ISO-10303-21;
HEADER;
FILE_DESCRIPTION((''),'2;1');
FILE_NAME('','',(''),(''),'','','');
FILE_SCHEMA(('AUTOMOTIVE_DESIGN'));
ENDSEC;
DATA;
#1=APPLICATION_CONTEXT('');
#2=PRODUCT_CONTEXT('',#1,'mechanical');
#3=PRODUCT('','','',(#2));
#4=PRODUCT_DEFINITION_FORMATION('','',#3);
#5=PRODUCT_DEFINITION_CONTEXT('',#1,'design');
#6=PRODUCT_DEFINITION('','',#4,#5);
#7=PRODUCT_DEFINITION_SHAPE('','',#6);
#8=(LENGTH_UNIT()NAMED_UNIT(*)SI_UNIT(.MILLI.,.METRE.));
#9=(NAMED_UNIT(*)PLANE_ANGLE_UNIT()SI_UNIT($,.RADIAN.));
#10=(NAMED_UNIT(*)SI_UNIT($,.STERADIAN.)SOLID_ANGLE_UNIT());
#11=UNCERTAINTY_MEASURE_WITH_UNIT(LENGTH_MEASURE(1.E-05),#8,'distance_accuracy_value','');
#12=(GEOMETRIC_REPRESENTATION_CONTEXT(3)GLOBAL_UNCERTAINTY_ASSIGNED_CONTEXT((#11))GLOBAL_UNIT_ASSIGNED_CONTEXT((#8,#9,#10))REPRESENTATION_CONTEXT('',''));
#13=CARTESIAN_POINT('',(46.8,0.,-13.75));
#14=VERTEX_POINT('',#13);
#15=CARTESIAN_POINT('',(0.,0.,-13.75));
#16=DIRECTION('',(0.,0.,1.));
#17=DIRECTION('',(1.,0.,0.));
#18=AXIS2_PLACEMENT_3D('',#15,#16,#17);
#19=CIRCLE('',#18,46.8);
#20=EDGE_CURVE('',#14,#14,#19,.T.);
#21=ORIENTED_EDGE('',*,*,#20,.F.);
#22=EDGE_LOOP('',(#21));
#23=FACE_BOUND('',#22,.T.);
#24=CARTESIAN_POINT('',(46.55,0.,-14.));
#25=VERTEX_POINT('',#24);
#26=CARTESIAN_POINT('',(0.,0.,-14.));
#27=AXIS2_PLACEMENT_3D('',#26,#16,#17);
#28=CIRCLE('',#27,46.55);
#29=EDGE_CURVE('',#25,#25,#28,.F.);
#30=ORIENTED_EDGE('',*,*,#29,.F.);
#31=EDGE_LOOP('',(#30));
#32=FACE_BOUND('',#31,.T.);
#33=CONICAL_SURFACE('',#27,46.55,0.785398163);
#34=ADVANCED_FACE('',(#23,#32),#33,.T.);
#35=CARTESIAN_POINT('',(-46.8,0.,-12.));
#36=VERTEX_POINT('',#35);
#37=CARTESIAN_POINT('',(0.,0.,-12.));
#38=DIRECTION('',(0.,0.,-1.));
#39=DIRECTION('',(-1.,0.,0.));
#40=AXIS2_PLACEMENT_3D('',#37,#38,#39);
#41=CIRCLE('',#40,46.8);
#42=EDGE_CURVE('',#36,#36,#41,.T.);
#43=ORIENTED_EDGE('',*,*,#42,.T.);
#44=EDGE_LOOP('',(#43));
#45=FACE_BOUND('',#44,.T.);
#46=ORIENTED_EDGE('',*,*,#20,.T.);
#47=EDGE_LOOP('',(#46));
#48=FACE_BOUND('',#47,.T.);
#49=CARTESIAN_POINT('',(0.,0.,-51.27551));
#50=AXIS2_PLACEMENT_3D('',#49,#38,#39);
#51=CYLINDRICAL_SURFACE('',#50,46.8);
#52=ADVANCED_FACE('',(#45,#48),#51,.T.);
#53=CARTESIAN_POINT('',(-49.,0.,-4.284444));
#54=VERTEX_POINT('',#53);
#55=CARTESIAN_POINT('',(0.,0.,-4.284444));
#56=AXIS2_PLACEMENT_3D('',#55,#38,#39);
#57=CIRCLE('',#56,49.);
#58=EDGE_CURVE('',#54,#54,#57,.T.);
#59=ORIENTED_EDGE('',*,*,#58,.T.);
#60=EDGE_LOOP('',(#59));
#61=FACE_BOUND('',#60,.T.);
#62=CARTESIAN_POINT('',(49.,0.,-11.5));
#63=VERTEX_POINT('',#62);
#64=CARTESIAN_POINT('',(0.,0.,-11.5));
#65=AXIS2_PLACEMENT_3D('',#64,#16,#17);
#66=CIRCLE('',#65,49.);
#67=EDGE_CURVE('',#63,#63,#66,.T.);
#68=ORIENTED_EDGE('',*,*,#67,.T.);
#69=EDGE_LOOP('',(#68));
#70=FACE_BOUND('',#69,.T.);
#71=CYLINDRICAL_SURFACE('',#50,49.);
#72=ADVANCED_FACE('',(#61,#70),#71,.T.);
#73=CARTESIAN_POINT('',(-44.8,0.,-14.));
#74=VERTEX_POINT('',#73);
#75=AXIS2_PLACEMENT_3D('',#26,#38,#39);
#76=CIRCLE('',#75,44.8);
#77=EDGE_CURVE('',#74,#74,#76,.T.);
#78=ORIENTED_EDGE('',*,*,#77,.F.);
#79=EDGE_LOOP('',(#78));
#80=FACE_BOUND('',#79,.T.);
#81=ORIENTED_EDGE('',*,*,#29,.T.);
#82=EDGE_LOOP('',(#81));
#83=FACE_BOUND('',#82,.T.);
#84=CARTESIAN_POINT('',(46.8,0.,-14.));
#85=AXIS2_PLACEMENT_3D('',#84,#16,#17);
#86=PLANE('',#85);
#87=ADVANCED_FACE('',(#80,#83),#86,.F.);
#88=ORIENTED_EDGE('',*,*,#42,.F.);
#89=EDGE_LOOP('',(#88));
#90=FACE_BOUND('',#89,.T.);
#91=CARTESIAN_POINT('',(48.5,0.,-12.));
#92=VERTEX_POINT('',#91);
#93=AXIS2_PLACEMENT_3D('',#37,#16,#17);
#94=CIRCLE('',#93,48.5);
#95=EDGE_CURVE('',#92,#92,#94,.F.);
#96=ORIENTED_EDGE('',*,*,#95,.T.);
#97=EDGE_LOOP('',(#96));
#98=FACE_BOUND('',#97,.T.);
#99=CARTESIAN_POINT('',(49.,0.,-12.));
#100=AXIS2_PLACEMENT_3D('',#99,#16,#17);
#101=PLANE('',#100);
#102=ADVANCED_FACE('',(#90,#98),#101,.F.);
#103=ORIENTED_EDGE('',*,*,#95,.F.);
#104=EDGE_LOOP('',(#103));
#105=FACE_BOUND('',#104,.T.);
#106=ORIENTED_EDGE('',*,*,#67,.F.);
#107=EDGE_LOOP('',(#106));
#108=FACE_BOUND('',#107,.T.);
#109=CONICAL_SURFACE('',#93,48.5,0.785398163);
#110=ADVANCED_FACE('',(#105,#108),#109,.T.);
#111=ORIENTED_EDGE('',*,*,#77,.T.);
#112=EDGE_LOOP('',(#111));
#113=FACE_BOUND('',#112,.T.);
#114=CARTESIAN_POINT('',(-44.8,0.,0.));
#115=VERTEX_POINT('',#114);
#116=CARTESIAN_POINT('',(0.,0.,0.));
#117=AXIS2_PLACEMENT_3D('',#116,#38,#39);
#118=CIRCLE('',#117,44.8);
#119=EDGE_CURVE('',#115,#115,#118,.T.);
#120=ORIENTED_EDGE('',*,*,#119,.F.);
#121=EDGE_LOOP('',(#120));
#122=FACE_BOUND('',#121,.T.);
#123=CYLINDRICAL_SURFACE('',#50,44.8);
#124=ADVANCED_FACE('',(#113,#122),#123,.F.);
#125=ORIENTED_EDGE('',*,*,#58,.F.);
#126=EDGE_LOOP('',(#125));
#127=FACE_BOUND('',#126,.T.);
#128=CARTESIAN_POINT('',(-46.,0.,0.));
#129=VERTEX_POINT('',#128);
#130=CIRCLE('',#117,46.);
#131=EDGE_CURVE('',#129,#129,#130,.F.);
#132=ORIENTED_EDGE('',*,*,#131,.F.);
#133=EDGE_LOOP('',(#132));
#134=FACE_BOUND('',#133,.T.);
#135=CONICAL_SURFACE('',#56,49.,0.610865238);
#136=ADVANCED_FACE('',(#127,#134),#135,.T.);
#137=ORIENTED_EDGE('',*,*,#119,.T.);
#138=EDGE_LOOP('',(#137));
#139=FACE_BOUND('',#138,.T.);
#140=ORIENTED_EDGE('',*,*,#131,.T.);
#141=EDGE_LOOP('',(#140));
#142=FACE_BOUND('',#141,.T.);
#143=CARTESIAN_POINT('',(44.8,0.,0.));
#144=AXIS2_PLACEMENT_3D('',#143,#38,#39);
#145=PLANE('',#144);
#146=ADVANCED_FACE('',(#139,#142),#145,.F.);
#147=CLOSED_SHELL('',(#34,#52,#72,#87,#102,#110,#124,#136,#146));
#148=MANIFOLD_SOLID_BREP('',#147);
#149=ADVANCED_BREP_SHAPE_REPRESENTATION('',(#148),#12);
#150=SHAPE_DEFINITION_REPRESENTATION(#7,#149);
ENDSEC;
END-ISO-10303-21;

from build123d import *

# Parameters (mm, degrees)
CHAMFER1_SIZE  = 0.25
CHAMFER2_SIZE  = 0.5
CHAMFER3_SIZE  = 3
CHAMFER3_SIZE2 = 4.28444402


with BuildPart() as part:
    # Sketch2 → Revolve1 (revolve)
    with BuildSketch(Plane(origin=(0, 0, 0), x_dir=(1, 0, 0), z_dir=(0, 1, 0)), mode=Mode.PRIVATE) as revolve1_sk:
        Polygon((44.8, 14), (44.8, 0), (49, 0), (49, 12), (46.8, 12), (46.8, 14), align=None)
    revolve(revolve1_sk.sketch.rotate(Axis((0, 0, -51.275510204), (0, 0, 1)), 180), axis=Axis((0, 0, -51.275510204), (0, 0, 1)))

    # Chamfer1
    chamfer1_edges = [part.edges().sort_by_distance(p)[0] for p in [
        (46.8, 0, -14),
    ]]
    chamfer(chamfer1_edges, length=CHAMFER1_SIZE)

    # Chamfer2
    chamfer2_edges = [part.edges().sort_by_distance(p)[0] for p in [
        (49, 0, -12),
    ]]
    chamfer(chamfer2_edges, length=CHAMFER2_SIZE)

    # Chamfer3
    chamfer3_edges = [part.edges().sort_by_distance(p)[0] for p in [
        (49, 0, 0),
    ]]
    chamfer3_side = [part.faces().sort_by_distance(p)[0] for p in [
        (46.185929291, 0, 0),
    ]]
    chamfer(chamfer3_edges, length=CHAMFER3_SIZE, length2=CHAMFER3_SIZE2, reference=chamfer3_side[0])


solid = part.part
